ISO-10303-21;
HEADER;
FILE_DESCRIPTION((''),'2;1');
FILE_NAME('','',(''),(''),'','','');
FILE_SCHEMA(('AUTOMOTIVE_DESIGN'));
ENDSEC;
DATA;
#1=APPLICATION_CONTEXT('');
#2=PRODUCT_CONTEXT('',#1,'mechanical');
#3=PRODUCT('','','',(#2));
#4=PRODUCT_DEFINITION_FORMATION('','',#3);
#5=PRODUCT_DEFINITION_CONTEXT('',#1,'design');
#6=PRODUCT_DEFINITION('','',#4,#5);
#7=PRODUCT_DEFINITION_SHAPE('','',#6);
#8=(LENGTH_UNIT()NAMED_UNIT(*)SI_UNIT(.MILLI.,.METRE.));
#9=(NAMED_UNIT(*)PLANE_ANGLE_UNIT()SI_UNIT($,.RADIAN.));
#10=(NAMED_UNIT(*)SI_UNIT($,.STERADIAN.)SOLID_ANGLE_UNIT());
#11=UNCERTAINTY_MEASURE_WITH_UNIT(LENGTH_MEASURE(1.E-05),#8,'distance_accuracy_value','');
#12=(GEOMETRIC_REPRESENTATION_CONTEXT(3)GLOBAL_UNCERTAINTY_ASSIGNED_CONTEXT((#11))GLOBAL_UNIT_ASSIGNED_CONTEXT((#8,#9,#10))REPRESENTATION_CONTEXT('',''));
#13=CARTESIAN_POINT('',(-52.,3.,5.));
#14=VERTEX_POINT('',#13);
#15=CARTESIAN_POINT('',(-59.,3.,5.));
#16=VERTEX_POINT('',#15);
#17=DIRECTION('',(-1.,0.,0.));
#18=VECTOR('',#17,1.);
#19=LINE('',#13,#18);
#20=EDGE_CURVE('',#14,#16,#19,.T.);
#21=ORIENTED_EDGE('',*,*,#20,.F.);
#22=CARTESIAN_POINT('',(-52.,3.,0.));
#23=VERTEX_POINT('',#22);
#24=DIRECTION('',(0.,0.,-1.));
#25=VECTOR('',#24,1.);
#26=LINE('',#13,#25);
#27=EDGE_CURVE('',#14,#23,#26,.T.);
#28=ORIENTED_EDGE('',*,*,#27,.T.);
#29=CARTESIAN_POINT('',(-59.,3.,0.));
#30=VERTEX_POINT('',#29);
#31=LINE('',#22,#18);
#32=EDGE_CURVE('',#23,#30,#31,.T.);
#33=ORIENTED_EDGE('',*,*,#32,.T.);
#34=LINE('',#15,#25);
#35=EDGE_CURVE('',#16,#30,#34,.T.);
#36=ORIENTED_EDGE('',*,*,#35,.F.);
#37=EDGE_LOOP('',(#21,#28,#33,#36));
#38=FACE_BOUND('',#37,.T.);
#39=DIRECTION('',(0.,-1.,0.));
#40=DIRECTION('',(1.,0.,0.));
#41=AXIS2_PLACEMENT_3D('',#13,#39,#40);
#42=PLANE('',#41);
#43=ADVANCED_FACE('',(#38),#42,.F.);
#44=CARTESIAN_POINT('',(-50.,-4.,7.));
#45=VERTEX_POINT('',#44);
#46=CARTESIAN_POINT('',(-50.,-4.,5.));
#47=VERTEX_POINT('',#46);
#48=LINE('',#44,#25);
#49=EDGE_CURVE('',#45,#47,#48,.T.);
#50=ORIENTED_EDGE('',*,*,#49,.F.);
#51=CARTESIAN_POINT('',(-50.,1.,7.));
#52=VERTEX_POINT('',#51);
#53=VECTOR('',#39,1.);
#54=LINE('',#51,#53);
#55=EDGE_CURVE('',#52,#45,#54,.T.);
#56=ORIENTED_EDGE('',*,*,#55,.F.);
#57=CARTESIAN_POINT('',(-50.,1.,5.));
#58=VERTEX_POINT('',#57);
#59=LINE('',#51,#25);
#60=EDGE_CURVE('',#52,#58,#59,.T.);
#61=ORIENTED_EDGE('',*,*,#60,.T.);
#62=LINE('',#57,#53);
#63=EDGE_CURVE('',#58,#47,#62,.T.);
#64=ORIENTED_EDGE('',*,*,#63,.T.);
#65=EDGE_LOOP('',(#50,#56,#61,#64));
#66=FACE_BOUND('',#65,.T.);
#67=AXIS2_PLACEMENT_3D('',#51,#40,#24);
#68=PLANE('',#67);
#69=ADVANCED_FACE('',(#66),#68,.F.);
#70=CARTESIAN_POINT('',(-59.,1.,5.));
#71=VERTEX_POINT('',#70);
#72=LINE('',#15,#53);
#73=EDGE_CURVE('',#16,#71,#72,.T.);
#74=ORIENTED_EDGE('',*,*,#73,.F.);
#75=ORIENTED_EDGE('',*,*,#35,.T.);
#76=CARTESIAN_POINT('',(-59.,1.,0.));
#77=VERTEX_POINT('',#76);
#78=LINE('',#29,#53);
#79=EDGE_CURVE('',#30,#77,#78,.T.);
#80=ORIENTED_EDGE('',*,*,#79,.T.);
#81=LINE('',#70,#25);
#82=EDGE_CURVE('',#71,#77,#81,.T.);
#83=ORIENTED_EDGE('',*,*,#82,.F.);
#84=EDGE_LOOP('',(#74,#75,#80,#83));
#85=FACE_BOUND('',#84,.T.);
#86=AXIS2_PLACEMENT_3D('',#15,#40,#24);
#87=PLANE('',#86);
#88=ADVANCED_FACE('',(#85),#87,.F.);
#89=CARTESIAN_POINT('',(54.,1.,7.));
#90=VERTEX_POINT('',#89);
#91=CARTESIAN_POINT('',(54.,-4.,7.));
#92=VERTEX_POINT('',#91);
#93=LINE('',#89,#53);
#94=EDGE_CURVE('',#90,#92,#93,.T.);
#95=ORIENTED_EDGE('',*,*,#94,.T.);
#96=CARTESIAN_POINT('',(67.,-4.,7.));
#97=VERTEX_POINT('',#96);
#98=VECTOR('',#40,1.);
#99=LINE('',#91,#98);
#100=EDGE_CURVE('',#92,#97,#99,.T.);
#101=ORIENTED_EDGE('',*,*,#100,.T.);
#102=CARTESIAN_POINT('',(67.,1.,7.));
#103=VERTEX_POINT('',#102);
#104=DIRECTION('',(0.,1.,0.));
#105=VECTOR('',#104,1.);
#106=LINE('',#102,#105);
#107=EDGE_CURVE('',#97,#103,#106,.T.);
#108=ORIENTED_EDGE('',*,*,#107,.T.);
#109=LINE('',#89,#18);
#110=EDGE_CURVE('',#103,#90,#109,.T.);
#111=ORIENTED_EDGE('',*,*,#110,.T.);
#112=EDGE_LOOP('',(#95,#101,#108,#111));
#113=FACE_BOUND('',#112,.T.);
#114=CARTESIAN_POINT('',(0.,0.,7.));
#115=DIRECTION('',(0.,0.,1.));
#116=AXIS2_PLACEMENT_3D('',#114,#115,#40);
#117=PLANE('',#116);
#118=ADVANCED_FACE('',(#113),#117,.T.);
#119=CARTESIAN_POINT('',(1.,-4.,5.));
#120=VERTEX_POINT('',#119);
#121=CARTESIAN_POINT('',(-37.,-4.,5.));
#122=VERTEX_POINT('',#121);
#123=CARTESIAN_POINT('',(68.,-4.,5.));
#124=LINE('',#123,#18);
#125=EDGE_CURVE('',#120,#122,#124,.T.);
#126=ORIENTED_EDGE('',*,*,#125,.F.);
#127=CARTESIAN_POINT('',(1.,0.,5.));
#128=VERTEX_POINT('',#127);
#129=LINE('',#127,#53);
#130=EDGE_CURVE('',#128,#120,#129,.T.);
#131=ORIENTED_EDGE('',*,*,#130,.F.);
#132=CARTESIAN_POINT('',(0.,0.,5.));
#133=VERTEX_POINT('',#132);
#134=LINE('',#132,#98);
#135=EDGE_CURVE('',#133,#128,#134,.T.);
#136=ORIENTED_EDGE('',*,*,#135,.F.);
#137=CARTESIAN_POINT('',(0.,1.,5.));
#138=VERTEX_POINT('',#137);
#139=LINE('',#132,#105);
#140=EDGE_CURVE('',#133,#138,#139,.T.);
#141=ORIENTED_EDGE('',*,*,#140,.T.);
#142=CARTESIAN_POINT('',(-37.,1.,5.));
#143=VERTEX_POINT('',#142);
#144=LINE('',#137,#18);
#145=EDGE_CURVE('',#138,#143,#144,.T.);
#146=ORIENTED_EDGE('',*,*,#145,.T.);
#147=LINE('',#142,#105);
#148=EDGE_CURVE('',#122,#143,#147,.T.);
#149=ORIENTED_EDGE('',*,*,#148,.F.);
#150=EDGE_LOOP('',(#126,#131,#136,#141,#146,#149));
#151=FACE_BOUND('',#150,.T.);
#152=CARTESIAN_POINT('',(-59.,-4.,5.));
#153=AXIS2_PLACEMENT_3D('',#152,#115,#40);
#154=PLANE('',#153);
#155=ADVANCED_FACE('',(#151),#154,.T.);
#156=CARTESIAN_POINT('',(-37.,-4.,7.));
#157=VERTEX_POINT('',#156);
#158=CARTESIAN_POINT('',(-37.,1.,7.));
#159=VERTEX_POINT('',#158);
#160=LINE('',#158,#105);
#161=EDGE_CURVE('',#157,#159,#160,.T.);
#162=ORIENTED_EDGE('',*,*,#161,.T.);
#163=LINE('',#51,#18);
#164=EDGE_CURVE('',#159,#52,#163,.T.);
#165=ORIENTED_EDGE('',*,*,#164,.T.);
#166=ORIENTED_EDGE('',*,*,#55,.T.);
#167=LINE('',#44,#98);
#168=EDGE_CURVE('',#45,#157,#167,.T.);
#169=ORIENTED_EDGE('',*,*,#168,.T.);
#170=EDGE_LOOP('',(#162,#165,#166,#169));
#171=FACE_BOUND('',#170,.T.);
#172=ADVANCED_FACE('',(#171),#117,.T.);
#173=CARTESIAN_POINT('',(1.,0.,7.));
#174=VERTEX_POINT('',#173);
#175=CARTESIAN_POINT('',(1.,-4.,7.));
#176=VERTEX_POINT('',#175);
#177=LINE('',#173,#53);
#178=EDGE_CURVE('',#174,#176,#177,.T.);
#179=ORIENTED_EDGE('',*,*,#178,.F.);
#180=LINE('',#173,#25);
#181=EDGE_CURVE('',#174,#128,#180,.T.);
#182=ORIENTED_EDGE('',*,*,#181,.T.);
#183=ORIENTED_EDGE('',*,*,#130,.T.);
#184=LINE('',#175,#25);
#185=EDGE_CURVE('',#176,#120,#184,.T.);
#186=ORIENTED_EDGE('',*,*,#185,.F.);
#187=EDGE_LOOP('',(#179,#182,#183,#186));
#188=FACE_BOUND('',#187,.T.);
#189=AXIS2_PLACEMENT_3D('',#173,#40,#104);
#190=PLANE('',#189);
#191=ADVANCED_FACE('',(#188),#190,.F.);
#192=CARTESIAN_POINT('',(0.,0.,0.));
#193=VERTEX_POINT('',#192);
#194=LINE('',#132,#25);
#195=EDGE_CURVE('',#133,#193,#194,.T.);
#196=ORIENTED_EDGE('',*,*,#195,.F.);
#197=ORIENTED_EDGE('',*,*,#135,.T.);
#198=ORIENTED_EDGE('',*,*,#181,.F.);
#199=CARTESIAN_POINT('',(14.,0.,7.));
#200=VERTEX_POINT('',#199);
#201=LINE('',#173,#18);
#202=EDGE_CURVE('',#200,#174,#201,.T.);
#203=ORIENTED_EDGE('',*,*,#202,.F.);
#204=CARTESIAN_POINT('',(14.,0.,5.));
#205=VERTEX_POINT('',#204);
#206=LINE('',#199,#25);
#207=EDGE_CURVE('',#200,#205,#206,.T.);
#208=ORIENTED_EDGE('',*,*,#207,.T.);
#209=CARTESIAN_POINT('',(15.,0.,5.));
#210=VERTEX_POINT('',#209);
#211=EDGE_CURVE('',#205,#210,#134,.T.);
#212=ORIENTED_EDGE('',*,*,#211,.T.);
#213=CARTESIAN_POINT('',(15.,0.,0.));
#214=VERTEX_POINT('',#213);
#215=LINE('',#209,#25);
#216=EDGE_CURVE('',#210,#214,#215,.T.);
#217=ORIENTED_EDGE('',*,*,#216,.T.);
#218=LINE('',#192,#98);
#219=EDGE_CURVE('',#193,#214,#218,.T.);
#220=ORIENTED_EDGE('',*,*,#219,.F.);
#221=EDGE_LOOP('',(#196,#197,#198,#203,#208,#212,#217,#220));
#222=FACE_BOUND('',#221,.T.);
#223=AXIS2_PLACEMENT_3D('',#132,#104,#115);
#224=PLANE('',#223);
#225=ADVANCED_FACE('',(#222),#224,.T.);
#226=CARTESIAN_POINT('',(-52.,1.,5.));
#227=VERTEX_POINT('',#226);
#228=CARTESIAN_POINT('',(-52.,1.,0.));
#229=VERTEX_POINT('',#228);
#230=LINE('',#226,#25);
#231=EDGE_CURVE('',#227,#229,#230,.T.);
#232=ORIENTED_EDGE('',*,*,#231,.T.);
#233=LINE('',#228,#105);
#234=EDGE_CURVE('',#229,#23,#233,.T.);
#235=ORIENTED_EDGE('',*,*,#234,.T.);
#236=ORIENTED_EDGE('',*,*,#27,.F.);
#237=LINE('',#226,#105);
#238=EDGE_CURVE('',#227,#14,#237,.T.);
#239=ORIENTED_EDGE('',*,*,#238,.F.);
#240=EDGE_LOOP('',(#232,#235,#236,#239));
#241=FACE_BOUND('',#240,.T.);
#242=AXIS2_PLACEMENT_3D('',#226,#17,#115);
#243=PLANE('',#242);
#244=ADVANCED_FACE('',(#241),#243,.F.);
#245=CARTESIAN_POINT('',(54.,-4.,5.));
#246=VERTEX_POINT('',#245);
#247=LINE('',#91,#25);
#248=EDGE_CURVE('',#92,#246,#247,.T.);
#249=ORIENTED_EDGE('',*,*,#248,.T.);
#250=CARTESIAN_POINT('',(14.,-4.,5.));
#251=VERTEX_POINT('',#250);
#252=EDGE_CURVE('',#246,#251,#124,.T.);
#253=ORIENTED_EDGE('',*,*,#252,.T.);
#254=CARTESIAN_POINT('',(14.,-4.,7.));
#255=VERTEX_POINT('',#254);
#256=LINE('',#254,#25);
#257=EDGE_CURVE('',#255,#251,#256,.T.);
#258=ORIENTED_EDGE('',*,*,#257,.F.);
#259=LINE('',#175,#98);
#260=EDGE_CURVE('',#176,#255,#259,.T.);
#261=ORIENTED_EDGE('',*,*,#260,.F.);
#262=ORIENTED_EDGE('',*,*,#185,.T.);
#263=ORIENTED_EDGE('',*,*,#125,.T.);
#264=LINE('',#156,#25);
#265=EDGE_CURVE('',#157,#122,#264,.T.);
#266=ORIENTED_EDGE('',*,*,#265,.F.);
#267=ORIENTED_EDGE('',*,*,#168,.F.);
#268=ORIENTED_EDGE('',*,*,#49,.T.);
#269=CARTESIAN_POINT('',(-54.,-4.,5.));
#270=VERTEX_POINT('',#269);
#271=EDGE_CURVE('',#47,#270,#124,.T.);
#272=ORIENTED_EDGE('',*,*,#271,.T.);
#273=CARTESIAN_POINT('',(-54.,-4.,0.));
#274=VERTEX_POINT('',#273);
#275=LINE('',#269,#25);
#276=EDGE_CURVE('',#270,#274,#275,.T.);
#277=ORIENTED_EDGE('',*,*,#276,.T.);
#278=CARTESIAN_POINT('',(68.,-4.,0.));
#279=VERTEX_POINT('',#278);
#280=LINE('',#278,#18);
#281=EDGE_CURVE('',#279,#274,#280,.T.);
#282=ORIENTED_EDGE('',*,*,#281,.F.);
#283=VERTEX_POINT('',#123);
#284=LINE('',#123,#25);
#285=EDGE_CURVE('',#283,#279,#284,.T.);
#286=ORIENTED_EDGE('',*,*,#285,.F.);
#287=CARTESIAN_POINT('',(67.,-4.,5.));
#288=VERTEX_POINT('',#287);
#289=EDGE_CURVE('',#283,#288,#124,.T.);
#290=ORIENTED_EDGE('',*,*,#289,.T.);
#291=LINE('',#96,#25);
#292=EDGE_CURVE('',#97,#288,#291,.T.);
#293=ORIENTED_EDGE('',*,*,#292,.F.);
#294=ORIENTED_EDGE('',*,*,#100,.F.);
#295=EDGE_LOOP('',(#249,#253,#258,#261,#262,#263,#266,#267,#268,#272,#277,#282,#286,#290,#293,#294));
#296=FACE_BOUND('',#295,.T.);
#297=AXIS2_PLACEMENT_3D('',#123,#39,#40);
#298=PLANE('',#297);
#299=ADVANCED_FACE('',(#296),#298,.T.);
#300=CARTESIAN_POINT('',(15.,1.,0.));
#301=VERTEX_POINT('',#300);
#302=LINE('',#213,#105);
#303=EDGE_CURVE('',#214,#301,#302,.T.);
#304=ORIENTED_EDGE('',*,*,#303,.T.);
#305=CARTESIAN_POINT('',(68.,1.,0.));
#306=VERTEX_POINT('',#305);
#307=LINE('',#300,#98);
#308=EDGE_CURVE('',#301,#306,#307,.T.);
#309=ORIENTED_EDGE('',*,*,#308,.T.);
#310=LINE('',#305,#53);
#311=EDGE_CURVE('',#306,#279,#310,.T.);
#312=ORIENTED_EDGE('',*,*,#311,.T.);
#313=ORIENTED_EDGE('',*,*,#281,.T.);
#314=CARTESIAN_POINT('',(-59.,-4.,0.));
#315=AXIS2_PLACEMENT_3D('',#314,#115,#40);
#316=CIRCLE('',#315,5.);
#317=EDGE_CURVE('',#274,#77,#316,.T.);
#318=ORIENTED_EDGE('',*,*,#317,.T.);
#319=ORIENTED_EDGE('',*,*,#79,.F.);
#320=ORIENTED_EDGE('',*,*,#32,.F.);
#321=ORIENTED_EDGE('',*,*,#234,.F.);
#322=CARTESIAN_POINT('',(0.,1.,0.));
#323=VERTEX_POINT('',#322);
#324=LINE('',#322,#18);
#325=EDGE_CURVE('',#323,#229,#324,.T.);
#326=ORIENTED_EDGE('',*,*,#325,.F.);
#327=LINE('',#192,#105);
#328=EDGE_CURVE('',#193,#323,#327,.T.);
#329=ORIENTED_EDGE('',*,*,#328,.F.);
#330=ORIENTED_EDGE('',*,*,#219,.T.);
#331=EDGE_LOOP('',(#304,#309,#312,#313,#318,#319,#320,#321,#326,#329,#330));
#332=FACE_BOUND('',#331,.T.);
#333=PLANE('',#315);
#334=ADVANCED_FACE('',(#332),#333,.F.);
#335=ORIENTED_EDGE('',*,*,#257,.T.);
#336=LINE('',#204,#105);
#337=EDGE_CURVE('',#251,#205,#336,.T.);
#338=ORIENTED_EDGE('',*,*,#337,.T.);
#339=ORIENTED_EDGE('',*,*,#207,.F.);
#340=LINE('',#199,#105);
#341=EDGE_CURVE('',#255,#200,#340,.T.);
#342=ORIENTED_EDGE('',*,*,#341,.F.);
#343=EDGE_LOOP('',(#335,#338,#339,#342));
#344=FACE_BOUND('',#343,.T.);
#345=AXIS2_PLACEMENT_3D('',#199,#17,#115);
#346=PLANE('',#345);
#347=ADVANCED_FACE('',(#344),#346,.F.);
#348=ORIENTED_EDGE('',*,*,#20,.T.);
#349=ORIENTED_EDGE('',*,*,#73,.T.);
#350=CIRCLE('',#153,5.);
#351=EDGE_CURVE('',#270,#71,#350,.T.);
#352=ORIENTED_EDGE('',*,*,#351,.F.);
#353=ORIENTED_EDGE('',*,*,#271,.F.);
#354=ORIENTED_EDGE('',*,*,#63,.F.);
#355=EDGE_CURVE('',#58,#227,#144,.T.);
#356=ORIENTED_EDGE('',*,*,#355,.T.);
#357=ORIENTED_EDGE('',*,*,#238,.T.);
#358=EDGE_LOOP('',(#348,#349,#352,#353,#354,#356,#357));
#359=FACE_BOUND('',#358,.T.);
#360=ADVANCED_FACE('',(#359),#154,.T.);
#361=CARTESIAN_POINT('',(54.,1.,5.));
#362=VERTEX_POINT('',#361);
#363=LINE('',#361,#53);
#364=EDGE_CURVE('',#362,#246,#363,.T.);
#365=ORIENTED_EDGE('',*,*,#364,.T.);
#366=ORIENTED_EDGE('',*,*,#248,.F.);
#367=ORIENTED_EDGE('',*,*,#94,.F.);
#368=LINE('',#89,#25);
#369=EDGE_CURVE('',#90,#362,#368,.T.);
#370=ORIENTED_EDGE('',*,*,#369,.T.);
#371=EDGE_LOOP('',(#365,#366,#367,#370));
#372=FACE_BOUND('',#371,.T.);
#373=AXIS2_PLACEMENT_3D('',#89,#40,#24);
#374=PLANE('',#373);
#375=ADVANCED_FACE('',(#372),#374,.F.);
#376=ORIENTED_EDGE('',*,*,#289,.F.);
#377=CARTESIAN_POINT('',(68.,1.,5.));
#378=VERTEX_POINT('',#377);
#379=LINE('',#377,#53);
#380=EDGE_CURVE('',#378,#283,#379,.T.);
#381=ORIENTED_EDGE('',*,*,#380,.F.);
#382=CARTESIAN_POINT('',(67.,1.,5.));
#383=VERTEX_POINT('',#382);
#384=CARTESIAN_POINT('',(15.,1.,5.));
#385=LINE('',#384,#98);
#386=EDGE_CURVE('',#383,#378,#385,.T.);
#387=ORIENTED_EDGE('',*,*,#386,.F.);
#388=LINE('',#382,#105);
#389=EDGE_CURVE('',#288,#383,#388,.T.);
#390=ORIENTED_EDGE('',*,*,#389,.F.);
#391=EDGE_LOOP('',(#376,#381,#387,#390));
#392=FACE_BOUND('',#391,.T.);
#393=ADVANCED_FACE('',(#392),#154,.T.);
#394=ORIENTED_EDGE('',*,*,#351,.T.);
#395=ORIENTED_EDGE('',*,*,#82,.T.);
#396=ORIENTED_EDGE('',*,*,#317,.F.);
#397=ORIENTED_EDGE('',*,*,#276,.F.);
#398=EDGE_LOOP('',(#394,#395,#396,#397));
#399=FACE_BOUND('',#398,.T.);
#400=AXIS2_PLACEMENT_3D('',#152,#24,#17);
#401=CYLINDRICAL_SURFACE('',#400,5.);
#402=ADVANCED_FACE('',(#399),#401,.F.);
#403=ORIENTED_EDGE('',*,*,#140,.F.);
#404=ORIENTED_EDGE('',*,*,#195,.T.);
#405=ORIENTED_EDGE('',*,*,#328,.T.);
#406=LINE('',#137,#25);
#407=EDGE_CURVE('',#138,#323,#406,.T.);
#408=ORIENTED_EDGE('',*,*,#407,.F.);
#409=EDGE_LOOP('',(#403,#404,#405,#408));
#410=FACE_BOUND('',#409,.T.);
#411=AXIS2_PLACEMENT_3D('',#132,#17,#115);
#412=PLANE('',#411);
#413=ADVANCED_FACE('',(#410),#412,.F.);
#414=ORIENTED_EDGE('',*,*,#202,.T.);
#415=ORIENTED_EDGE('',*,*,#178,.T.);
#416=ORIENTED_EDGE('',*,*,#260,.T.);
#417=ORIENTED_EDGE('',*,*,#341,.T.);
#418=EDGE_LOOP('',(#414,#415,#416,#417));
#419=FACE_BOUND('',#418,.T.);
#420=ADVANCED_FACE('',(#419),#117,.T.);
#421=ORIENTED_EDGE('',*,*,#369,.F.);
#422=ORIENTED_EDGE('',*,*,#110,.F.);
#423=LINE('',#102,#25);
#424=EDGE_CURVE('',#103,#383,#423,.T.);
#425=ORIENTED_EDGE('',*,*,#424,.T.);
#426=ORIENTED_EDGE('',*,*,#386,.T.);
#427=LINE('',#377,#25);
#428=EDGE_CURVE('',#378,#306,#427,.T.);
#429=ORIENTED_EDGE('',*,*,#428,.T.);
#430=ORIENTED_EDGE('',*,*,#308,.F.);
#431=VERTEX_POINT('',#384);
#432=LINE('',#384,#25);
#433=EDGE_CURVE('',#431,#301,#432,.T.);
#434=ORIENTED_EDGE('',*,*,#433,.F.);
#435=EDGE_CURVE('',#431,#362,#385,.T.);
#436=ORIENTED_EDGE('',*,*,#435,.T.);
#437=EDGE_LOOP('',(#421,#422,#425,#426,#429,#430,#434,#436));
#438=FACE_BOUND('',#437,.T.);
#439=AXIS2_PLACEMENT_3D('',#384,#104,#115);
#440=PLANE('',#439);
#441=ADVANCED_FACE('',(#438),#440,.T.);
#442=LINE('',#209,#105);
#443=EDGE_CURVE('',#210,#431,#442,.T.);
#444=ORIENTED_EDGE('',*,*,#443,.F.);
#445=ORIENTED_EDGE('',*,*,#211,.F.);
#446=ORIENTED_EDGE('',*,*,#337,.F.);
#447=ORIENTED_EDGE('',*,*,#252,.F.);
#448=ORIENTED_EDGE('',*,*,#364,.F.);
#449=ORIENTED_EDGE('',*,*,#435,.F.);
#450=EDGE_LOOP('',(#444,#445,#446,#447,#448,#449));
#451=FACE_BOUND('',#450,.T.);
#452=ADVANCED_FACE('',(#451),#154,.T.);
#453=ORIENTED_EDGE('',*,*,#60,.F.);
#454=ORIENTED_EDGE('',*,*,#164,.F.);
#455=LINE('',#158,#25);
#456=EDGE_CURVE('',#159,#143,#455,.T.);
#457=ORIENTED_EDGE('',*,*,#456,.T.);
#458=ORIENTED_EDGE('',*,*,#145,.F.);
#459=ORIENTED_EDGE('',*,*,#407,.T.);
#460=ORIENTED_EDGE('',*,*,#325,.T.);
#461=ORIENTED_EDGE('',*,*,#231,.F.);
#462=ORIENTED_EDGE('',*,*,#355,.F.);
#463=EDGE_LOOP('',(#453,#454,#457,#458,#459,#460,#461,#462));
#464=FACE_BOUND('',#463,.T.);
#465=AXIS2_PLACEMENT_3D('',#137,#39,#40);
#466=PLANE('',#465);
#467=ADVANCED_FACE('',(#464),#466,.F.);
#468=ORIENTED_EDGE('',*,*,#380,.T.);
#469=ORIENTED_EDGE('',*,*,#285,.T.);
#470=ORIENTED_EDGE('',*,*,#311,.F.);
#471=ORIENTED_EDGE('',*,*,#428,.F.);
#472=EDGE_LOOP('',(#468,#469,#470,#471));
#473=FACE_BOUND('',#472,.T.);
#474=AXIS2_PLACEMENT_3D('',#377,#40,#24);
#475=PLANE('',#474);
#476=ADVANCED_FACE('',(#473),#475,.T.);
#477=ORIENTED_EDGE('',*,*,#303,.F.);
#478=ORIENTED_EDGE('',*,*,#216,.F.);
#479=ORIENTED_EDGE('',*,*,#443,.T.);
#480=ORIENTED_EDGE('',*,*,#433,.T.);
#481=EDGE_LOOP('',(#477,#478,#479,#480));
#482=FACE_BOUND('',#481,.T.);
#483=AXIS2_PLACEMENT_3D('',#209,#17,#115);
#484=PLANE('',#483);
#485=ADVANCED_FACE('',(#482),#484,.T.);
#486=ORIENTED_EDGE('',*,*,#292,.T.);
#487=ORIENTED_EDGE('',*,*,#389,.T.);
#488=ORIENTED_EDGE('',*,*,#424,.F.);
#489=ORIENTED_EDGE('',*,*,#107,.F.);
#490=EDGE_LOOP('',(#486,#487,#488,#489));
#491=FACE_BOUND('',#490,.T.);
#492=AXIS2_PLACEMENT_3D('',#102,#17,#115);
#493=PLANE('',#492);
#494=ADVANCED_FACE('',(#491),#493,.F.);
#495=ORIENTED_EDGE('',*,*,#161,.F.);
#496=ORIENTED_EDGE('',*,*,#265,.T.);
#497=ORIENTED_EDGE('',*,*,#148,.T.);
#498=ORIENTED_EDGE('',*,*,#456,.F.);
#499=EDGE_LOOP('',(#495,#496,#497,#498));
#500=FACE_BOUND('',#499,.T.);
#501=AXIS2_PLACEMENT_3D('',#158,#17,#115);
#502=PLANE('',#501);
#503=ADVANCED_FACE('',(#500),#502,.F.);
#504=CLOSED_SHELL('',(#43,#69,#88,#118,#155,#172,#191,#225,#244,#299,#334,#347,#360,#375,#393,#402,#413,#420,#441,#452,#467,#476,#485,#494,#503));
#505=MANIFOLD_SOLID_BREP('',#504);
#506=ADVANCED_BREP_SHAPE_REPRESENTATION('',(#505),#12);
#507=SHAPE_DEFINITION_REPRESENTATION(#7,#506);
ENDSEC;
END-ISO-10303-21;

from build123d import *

# Parameters (mm, degrees)
BOSS_EXTRU_1_DEPTH = 5
ESQUISSE3_W        = 13
ESQUISSE3_H        = 5
ESQUISSE3_H_2      = 4
BOSS_EXTRU_2_DEPTH = 2


with BuildPart() as part:
    # Base pièce → Boss.-Extru.1 (new body)
    with BuildSketch(Plane.XY):
        with BuildLine():
            Line((0, 0), (15, 0))
            Line((15, 0), (15, 1))
            Line((15, 1), (68, 1))
            Line((68, 1), (68, -4))
            Line((68, -4), (-54, -4))
            ThreePointArc((-54, -4), (-55.464466094, -0.464466094), (-59, 1))
            Line((-59, 1), (-59, 3))
            Line((-59, 3), (-52, 3))
            Line((-52, 3), (-52, 1))
            Line((-52, 1), (0, 1))
            Line((0, 1), (0, 0))
        make_face()
    extrude(amount=BOSS_EXTRU_1_DEPTH)

    # Esquisse3 → Boss.-Extru.2 (add)
    with BuildSketch(Plane.XY.offset(5)):
        with Locations((-43.5, -1.5)):
            Rectangle(ESQUISSE3_W, ESQUISSE3_H)
        with Locations((7.5, -2)):
            Rectangle(ESQUISSE3_W, ESQUISSE3_H_2)
        with Locations((60.5, -1.5)):
            Rectangle(ESQUISSE3_W, ESQUISSE3_H)
    extrude(amount=BOSS_EXTRU_2_DEPTH)


solid = part.part
